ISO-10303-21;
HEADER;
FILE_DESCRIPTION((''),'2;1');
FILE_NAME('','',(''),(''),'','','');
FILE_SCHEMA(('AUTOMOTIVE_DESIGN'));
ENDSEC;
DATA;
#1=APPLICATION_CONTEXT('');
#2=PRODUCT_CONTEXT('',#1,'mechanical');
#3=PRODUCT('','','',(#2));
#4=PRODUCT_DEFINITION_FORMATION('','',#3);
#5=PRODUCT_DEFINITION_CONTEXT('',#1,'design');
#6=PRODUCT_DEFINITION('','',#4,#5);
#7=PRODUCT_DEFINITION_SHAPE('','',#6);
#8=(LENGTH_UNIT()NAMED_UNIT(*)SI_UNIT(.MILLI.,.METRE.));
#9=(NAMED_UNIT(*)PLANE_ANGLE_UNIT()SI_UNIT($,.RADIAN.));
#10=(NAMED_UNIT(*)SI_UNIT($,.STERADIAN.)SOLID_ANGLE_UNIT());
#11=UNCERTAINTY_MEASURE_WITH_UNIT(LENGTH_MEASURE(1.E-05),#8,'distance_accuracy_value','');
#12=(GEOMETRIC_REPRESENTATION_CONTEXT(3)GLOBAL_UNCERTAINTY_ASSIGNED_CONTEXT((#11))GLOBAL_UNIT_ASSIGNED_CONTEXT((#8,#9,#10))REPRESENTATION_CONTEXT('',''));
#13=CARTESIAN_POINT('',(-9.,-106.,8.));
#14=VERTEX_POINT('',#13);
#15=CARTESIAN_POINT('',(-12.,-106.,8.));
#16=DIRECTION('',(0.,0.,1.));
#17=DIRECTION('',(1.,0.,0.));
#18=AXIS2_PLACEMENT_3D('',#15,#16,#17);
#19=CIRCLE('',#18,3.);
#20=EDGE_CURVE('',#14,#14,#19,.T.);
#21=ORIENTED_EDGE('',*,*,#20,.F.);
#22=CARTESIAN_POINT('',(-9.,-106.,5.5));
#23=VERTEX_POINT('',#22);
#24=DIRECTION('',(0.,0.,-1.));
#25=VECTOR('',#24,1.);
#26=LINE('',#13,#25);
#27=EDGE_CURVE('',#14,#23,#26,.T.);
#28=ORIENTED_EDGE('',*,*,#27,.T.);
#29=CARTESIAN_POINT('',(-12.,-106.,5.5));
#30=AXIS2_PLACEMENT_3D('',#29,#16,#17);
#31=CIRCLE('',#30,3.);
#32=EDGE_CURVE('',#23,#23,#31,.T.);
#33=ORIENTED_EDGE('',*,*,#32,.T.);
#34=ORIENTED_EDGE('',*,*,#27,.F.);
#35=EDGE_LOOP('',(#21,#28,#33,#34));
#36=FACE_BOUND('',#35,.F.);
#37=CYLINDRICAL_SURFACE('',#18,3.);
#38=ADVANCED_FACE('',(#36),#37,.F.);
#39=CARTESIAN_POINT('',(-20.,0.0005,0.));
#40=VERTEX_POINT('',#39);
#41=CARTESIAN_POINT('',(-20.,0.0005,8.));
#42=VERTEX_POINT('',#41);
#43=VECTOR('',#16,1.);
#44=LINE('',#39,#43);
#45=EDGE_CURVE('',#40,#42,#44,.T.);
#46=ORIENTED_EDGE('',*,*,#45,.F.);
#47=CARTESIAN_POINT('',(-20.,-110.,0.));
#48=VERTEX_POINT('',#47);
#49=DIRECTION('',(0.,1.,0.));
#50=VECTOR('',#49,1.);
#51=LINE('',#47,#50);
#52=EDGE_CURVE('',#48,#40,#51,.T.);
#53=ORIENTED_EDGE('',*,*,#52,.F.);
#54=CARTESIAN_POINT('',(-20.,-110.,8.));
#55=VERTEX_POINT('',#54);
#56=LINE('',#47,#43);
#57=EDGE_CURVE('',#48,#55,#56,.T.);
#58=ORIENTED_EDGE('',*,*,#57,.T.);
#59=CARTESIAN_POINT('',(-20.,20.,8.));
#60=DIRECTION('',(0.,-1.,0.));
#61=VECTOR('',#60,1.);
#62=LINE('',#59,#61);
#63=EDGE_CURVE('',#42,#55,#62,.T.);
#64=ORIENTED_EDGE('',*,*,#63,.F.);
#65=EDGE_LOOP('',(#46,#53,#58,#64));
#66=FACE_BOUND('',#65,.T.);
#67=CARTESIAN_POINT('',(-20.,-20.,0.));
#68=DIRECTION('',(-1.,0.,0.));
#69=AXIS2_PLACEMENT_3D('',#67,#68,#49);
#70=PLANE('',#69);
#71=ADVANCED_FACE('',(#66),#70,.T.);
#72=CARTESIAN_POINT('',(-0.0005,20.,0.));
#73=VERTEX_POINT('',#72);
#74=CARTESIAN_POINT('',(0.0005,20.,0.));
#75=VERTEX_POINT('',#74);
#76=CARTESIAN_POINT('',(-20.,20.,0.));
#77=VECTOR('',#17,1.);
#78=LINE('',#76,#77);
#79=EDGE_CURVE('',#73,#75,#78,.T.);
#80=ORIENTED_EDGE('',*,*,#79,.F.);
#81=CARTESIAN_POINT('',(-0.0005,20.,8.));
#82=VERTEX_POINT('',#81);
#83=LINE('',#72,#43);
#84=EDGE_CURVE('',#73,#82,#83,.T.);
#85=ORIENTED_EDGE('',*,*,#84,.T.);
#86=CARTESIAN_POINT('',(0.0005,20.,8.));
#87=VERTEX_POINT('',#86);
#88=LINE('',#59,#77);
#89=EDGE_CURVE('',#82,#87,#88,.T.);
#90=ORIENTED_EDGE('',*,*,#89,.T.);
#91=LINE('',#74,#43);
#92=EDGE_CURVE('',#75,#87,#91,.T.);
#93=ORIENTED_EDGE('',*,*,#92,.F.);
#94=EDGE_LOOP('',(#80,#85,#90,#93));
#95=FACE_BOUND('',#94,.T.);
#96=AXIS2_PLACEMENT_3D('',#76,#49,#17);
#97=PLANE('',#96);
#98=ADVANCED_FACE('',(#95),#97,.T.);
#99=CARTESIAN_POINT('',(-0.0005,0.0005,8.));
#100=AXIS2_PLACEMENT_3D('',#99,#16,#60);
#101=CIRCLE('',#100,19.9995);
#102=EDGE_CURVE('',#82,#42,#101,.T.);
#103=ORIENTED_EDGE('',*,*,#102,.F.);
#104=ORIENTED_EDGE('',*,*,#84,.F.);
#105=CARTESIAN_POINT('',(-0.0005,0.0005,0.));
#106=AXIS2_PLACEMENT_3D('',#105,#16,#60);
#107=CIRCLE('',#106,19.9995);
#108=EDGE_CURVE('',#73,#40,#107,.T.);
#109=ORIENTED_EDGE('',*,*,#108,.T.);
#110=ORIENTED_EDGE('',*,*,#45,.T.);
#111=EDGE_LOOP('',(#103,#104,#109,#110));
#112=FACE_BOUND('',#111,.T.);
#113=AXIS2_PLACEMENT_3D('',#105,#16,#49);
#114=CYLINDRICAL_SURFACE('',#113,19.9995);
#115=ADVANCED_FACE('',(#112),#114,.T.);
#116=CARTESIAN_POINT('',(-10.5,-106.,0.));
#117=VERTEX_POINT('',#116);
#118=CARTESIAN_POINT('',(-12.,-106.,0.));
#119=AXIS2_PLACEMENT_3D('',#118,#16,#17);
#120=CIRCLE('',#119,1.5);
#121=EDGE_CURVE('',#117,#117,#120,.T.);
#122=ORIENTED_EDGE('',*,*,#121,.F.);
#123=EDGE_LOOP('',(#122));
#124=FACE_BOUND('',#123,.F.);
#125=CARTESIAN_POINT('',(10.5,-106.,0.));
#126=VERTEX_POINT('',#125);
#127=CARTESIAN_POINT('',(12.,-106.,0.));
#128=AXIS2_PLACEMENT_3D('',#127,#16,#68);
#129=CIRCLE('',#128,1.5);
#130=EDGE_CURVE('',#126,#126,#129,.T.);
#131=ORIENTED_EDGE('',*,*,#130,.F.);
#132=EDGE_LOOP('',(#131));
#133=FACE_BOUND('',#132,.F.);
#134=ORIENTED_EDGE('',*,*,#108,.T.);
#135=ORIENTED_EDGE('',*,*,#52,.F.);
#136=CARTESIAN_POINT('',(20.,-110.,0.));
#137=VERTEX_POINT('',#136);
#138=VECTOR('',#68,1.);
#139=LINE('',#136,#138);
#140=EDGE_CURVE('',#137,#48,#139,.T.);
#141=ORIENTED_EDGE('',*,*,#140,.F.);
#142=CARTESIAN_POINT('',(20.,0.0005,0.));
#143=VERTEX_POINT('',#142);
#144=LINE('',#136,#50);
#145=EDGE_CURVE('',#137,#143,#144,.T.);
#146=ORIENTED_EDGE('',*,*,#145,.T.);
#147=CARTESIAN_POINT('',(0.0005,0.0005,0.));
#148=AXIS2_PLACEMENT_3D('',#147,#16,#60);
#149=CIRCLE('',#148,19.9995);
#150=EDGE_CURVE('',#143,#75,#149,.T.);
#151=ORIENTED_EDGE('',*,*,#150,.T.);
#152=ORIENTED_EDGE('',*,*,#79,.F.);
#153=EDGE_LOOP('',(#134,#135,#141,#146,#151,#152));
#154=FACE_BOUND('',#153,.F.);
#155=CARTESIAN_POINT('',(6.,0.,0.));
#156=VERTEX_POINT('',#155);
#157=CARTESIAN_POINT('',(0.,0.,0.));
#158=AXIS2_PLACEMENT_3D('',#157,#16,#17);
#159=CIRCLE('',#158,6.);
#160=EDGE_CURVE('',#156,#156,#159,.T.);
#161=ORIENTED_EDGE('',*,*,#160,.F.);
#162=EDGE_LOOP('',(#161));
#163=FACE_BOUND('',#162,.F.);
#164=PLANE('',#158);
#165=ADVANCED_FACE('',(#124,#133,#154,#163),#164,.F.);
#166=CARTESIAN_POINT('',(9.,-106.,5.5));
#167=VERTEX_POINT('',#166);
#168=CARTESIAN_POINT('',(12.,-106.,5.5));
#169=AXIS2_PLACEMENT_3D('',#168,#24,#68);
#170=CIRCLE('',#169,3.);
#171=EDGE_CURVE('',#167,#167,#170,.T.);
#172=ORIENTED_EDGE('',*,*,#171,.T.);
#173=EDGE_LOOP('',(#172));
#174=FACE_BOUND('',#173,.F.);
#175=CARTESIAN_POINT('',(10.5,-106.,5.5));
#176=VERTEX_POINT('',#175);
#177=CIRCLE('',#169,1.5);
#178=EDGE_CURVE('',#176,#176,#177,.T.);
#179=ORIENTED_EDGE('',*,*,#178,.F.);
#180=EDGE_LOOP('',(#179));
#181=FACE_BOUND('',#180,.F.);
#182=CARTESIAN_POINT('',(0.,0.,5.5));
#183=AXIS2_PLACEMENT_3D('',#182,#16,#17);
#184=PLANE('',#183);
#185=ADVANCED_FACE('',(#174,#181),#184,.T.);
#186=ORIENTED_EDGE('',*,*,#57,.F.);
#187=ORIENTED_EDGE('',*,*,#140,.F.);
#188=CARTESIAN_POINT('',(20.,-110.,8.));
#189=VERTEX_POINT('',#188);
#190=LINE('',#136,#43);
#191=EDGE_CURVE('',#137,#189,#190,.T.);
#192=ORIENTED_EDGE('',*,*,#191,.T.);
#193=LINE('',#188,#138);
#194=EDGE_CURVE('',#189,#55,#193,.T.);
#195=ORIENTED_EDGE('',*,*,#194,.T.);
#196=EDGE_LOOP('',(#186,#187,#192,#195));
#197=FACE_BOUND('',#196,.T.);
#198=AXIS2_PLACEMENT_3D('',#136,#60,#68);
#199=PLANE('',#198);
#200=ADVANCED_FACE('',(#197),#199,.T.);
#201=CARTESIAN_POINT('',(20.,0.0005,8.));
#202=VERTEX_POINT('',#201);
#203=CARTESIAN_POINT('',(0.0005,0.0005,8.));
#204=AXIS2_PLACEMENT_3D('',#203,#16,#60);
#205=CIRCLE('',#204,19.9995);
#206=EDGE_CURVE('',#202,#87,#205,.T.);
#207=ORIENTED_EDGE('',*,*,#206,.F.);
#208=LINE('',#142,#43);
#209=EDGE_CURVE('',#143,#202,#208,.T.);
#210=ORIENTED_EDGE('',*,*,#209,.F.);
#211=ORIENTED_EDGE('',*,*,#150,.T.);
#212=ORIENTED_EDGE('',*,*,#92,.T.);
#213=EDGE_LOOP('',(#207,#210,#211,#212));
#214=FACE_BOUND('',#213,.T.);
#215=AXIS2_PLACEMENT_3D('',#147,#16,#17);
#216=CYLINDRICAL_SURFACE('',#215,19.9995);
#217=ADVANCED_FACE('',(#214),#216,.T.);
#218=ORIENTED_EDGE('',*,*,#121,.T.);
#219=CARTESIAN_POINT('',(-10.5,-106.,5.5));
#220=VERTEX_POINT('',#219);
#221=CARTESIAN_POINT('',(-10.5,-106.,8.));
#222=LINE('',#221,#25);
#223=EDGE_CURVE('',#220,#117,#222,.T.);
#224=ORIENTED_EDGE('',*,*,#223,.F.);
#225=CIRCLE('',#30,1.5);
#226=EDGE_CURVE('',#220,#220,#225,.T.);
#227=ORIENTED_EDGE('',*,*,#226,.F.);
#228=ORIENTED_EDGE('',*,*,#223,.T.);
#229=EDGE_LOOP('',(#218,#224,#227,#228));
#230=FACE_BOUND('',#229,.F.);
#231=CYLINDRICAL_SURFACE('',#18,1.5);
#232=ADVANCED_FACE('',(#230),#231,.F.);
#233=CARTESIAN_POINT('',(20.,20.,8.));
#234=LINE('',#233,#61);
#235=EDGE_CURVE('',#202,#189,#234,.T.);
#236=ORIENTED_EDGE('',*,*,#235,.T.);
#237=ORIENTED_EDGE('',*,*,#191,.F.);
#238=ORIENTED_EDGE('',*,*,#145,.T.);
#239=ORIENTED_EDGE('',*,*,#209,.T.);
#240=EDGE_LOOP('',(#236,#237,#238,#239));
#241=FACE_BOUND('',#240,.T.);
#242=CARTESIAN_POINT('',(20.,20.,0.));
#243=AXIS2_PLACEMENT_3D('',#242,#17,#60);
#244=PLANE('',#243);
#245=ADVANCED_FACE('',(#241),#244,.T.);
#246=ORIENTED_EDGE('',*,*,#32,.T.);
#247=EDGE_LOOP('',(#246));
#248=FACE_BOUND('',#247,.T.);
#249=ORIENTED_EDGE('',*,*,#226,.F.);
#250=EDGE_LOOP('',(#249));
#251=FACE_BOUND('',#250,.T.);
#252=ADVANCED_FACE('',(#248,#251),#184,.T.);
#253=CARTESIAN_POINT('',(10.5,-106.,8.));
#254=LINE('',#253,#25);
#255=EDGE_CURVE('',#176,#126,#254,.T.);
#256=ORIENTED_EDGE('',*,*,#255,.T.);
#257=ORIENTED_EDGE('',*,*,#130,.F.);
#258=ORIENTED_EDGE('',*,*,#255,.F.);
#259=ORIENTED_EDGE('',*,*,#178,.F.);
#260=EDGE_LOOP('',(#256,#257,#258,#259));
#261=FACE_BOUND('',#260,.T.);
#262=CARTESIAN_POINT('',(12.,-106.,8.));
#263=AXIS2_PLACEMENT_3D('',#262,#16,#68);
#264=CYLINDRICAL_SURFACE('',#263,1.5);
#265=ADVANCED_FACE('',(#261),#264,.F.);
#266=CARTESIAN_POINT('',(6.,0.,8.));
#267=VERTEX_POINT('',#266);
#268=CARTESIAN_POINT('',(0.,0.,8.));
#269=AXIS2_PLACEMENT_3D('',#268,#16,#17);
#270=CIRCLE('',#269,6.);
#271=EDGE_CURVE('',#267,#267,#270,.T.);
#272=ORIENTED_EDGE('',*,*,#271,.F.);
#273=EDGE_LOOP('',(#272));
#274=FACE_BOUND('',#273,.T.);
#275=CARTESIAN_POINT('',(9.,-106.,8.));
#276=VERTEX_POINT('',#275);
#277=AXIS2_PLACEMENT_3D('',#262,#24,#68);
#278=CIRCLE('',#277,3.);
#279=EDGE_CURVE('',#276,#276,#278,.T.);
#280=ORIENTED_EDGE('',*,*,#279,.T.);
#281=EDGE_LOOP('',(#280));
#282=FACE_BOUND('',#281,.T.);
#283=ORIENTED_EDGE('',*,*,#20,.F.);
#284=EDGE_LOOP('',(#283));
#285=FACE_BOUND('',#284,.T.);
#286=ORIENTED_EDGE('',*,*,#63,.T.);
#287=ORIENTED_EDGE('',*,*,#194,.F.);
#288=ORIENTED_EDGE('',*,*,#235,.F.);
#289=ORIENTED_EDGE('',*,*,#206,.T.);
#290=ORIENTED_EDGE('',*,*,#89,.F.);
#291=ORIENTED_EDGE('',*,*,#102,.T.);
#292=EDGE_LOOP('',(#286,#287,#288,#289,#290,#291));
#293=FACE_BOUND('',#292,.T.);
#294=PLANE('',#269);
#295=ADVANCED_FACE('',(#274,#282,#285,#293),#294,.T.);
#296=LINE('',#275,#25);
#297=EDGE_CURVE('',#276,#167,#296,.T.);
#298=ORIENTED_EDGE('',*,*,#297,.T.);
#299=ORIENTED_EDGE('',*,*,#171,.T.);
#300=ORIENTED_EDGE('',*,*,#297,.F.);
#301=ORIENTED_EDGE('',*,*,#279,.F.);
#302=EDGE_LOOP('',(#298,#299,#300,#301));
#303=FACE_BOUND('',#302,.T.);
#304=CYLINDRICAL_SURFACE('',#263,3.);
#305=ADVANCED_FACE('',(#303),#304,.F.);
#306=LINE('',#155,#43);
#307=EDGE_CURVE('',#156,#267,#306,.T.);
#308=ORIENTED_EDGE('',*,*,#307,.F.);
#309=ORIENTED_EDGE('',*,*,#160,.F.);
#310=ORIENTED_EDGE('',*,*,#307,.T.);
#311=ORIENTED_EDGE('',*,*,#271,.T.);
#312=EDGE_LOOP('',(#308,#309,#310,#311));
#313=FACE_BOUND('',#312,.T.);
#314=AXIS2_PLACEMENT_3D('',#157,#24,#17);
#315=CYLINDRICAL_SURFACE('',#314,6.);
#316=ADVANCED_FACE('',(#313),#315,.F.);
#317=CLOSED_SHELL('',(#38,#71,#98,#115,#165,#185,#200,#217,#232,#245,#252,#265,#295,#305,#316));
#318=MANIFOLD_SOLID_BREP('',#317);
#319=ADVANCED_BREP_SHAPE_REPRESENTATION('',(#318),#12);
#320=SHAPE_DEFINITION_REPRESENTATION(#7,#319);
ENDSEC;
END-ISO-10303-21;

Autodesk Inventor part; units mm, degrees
ref_plane "YZ Plane" through (0, 0, 0) normal (1, 0, 0) x (0, 1, 0)
ref_plane "XZ Plane" through (0, 0, 0) normal (0, 1, 0) x (-1, 0, 0)
ref_plane "XY Plane" through (0, 0, 0) normal (0, 0, 1) x (1, 0, 0)
sketch "Sketch1" plane through (0, 0, 0) normal (0, 0, 1) x (1, 0, 0)
  circle A0 centre (0, 0) radius 6
  line L0 (20, 20) -> (20, -20)
  line L1 (20, -20) -> (-20, -20)
  line L2 (-20, -20) -> (-20, 20)
  line L3 (-20, 20) -> (20, 20)
  line L4 (-20, -20) -> (20, -20)
  line L5 (20, -20) -> (20, -110)
  line L6 (20, -110) -> (-20, -110)
  line L7 (-20, -110) -> (-20, -20)
  dimension "d0" = 12
  dimension "d1" = 40
  dimension "d5" = 110
extrude "Extrusion1" add sketch "Sketch1" along normal blind 8
fillet "Fillet1" radius 20 2 edges at (20, 20, 4) (-20, 20, 4)
sketch "Sketch2" plane through (0, 0, 8) normal (0, 0, 1) x (1, 0, 0)
  line L0 (20, -110) -> (-20, -110) construction
  line L1 (-20, -110) -> (-20, 0) construction
  line L2 (20, 0) -> (20, -110) construction
  line L3 (-20, -110) -> (20, -110) construction
  line L4 (20, -110) -> (20, -102) construction
  line L5 (20, -102) -> (-20, -102) construction
  line L6 (-20, -102) -> (-20, -110) construction
  line L7 (0, -102) -> (0, -110) construction
  line L8 (0, -106) -> (-12, -106) construction
  circle A0 centre (-12, -106) radius 1.5
  point P0 (0, 0)
  dimension "d7" = 8
  dimension "d8" = 3
  dimension "d14" = 12
extrude "Extrusion2" cut sketch "Sketch2" against normal through all
sketch "Sketch3" plane through (0, 0, 8) normal (0, 0, 1) x (1, 0, 0)
  circle A0 centre (-12, -106) radius 1.5 projected
  circle A1 centre (-12, -106) radius 3
  point P0 (0, 0)
  dimension "d11" = 6
extrude "Extrusion3" cut sketch "Sketch3" against normal blind 2.5
mirror "Mirror1" about plane through (0, 0, 0) normal (1, 0, 0) of "Extrusion2", "Extrusion3"
properties part number "Bearing10"
